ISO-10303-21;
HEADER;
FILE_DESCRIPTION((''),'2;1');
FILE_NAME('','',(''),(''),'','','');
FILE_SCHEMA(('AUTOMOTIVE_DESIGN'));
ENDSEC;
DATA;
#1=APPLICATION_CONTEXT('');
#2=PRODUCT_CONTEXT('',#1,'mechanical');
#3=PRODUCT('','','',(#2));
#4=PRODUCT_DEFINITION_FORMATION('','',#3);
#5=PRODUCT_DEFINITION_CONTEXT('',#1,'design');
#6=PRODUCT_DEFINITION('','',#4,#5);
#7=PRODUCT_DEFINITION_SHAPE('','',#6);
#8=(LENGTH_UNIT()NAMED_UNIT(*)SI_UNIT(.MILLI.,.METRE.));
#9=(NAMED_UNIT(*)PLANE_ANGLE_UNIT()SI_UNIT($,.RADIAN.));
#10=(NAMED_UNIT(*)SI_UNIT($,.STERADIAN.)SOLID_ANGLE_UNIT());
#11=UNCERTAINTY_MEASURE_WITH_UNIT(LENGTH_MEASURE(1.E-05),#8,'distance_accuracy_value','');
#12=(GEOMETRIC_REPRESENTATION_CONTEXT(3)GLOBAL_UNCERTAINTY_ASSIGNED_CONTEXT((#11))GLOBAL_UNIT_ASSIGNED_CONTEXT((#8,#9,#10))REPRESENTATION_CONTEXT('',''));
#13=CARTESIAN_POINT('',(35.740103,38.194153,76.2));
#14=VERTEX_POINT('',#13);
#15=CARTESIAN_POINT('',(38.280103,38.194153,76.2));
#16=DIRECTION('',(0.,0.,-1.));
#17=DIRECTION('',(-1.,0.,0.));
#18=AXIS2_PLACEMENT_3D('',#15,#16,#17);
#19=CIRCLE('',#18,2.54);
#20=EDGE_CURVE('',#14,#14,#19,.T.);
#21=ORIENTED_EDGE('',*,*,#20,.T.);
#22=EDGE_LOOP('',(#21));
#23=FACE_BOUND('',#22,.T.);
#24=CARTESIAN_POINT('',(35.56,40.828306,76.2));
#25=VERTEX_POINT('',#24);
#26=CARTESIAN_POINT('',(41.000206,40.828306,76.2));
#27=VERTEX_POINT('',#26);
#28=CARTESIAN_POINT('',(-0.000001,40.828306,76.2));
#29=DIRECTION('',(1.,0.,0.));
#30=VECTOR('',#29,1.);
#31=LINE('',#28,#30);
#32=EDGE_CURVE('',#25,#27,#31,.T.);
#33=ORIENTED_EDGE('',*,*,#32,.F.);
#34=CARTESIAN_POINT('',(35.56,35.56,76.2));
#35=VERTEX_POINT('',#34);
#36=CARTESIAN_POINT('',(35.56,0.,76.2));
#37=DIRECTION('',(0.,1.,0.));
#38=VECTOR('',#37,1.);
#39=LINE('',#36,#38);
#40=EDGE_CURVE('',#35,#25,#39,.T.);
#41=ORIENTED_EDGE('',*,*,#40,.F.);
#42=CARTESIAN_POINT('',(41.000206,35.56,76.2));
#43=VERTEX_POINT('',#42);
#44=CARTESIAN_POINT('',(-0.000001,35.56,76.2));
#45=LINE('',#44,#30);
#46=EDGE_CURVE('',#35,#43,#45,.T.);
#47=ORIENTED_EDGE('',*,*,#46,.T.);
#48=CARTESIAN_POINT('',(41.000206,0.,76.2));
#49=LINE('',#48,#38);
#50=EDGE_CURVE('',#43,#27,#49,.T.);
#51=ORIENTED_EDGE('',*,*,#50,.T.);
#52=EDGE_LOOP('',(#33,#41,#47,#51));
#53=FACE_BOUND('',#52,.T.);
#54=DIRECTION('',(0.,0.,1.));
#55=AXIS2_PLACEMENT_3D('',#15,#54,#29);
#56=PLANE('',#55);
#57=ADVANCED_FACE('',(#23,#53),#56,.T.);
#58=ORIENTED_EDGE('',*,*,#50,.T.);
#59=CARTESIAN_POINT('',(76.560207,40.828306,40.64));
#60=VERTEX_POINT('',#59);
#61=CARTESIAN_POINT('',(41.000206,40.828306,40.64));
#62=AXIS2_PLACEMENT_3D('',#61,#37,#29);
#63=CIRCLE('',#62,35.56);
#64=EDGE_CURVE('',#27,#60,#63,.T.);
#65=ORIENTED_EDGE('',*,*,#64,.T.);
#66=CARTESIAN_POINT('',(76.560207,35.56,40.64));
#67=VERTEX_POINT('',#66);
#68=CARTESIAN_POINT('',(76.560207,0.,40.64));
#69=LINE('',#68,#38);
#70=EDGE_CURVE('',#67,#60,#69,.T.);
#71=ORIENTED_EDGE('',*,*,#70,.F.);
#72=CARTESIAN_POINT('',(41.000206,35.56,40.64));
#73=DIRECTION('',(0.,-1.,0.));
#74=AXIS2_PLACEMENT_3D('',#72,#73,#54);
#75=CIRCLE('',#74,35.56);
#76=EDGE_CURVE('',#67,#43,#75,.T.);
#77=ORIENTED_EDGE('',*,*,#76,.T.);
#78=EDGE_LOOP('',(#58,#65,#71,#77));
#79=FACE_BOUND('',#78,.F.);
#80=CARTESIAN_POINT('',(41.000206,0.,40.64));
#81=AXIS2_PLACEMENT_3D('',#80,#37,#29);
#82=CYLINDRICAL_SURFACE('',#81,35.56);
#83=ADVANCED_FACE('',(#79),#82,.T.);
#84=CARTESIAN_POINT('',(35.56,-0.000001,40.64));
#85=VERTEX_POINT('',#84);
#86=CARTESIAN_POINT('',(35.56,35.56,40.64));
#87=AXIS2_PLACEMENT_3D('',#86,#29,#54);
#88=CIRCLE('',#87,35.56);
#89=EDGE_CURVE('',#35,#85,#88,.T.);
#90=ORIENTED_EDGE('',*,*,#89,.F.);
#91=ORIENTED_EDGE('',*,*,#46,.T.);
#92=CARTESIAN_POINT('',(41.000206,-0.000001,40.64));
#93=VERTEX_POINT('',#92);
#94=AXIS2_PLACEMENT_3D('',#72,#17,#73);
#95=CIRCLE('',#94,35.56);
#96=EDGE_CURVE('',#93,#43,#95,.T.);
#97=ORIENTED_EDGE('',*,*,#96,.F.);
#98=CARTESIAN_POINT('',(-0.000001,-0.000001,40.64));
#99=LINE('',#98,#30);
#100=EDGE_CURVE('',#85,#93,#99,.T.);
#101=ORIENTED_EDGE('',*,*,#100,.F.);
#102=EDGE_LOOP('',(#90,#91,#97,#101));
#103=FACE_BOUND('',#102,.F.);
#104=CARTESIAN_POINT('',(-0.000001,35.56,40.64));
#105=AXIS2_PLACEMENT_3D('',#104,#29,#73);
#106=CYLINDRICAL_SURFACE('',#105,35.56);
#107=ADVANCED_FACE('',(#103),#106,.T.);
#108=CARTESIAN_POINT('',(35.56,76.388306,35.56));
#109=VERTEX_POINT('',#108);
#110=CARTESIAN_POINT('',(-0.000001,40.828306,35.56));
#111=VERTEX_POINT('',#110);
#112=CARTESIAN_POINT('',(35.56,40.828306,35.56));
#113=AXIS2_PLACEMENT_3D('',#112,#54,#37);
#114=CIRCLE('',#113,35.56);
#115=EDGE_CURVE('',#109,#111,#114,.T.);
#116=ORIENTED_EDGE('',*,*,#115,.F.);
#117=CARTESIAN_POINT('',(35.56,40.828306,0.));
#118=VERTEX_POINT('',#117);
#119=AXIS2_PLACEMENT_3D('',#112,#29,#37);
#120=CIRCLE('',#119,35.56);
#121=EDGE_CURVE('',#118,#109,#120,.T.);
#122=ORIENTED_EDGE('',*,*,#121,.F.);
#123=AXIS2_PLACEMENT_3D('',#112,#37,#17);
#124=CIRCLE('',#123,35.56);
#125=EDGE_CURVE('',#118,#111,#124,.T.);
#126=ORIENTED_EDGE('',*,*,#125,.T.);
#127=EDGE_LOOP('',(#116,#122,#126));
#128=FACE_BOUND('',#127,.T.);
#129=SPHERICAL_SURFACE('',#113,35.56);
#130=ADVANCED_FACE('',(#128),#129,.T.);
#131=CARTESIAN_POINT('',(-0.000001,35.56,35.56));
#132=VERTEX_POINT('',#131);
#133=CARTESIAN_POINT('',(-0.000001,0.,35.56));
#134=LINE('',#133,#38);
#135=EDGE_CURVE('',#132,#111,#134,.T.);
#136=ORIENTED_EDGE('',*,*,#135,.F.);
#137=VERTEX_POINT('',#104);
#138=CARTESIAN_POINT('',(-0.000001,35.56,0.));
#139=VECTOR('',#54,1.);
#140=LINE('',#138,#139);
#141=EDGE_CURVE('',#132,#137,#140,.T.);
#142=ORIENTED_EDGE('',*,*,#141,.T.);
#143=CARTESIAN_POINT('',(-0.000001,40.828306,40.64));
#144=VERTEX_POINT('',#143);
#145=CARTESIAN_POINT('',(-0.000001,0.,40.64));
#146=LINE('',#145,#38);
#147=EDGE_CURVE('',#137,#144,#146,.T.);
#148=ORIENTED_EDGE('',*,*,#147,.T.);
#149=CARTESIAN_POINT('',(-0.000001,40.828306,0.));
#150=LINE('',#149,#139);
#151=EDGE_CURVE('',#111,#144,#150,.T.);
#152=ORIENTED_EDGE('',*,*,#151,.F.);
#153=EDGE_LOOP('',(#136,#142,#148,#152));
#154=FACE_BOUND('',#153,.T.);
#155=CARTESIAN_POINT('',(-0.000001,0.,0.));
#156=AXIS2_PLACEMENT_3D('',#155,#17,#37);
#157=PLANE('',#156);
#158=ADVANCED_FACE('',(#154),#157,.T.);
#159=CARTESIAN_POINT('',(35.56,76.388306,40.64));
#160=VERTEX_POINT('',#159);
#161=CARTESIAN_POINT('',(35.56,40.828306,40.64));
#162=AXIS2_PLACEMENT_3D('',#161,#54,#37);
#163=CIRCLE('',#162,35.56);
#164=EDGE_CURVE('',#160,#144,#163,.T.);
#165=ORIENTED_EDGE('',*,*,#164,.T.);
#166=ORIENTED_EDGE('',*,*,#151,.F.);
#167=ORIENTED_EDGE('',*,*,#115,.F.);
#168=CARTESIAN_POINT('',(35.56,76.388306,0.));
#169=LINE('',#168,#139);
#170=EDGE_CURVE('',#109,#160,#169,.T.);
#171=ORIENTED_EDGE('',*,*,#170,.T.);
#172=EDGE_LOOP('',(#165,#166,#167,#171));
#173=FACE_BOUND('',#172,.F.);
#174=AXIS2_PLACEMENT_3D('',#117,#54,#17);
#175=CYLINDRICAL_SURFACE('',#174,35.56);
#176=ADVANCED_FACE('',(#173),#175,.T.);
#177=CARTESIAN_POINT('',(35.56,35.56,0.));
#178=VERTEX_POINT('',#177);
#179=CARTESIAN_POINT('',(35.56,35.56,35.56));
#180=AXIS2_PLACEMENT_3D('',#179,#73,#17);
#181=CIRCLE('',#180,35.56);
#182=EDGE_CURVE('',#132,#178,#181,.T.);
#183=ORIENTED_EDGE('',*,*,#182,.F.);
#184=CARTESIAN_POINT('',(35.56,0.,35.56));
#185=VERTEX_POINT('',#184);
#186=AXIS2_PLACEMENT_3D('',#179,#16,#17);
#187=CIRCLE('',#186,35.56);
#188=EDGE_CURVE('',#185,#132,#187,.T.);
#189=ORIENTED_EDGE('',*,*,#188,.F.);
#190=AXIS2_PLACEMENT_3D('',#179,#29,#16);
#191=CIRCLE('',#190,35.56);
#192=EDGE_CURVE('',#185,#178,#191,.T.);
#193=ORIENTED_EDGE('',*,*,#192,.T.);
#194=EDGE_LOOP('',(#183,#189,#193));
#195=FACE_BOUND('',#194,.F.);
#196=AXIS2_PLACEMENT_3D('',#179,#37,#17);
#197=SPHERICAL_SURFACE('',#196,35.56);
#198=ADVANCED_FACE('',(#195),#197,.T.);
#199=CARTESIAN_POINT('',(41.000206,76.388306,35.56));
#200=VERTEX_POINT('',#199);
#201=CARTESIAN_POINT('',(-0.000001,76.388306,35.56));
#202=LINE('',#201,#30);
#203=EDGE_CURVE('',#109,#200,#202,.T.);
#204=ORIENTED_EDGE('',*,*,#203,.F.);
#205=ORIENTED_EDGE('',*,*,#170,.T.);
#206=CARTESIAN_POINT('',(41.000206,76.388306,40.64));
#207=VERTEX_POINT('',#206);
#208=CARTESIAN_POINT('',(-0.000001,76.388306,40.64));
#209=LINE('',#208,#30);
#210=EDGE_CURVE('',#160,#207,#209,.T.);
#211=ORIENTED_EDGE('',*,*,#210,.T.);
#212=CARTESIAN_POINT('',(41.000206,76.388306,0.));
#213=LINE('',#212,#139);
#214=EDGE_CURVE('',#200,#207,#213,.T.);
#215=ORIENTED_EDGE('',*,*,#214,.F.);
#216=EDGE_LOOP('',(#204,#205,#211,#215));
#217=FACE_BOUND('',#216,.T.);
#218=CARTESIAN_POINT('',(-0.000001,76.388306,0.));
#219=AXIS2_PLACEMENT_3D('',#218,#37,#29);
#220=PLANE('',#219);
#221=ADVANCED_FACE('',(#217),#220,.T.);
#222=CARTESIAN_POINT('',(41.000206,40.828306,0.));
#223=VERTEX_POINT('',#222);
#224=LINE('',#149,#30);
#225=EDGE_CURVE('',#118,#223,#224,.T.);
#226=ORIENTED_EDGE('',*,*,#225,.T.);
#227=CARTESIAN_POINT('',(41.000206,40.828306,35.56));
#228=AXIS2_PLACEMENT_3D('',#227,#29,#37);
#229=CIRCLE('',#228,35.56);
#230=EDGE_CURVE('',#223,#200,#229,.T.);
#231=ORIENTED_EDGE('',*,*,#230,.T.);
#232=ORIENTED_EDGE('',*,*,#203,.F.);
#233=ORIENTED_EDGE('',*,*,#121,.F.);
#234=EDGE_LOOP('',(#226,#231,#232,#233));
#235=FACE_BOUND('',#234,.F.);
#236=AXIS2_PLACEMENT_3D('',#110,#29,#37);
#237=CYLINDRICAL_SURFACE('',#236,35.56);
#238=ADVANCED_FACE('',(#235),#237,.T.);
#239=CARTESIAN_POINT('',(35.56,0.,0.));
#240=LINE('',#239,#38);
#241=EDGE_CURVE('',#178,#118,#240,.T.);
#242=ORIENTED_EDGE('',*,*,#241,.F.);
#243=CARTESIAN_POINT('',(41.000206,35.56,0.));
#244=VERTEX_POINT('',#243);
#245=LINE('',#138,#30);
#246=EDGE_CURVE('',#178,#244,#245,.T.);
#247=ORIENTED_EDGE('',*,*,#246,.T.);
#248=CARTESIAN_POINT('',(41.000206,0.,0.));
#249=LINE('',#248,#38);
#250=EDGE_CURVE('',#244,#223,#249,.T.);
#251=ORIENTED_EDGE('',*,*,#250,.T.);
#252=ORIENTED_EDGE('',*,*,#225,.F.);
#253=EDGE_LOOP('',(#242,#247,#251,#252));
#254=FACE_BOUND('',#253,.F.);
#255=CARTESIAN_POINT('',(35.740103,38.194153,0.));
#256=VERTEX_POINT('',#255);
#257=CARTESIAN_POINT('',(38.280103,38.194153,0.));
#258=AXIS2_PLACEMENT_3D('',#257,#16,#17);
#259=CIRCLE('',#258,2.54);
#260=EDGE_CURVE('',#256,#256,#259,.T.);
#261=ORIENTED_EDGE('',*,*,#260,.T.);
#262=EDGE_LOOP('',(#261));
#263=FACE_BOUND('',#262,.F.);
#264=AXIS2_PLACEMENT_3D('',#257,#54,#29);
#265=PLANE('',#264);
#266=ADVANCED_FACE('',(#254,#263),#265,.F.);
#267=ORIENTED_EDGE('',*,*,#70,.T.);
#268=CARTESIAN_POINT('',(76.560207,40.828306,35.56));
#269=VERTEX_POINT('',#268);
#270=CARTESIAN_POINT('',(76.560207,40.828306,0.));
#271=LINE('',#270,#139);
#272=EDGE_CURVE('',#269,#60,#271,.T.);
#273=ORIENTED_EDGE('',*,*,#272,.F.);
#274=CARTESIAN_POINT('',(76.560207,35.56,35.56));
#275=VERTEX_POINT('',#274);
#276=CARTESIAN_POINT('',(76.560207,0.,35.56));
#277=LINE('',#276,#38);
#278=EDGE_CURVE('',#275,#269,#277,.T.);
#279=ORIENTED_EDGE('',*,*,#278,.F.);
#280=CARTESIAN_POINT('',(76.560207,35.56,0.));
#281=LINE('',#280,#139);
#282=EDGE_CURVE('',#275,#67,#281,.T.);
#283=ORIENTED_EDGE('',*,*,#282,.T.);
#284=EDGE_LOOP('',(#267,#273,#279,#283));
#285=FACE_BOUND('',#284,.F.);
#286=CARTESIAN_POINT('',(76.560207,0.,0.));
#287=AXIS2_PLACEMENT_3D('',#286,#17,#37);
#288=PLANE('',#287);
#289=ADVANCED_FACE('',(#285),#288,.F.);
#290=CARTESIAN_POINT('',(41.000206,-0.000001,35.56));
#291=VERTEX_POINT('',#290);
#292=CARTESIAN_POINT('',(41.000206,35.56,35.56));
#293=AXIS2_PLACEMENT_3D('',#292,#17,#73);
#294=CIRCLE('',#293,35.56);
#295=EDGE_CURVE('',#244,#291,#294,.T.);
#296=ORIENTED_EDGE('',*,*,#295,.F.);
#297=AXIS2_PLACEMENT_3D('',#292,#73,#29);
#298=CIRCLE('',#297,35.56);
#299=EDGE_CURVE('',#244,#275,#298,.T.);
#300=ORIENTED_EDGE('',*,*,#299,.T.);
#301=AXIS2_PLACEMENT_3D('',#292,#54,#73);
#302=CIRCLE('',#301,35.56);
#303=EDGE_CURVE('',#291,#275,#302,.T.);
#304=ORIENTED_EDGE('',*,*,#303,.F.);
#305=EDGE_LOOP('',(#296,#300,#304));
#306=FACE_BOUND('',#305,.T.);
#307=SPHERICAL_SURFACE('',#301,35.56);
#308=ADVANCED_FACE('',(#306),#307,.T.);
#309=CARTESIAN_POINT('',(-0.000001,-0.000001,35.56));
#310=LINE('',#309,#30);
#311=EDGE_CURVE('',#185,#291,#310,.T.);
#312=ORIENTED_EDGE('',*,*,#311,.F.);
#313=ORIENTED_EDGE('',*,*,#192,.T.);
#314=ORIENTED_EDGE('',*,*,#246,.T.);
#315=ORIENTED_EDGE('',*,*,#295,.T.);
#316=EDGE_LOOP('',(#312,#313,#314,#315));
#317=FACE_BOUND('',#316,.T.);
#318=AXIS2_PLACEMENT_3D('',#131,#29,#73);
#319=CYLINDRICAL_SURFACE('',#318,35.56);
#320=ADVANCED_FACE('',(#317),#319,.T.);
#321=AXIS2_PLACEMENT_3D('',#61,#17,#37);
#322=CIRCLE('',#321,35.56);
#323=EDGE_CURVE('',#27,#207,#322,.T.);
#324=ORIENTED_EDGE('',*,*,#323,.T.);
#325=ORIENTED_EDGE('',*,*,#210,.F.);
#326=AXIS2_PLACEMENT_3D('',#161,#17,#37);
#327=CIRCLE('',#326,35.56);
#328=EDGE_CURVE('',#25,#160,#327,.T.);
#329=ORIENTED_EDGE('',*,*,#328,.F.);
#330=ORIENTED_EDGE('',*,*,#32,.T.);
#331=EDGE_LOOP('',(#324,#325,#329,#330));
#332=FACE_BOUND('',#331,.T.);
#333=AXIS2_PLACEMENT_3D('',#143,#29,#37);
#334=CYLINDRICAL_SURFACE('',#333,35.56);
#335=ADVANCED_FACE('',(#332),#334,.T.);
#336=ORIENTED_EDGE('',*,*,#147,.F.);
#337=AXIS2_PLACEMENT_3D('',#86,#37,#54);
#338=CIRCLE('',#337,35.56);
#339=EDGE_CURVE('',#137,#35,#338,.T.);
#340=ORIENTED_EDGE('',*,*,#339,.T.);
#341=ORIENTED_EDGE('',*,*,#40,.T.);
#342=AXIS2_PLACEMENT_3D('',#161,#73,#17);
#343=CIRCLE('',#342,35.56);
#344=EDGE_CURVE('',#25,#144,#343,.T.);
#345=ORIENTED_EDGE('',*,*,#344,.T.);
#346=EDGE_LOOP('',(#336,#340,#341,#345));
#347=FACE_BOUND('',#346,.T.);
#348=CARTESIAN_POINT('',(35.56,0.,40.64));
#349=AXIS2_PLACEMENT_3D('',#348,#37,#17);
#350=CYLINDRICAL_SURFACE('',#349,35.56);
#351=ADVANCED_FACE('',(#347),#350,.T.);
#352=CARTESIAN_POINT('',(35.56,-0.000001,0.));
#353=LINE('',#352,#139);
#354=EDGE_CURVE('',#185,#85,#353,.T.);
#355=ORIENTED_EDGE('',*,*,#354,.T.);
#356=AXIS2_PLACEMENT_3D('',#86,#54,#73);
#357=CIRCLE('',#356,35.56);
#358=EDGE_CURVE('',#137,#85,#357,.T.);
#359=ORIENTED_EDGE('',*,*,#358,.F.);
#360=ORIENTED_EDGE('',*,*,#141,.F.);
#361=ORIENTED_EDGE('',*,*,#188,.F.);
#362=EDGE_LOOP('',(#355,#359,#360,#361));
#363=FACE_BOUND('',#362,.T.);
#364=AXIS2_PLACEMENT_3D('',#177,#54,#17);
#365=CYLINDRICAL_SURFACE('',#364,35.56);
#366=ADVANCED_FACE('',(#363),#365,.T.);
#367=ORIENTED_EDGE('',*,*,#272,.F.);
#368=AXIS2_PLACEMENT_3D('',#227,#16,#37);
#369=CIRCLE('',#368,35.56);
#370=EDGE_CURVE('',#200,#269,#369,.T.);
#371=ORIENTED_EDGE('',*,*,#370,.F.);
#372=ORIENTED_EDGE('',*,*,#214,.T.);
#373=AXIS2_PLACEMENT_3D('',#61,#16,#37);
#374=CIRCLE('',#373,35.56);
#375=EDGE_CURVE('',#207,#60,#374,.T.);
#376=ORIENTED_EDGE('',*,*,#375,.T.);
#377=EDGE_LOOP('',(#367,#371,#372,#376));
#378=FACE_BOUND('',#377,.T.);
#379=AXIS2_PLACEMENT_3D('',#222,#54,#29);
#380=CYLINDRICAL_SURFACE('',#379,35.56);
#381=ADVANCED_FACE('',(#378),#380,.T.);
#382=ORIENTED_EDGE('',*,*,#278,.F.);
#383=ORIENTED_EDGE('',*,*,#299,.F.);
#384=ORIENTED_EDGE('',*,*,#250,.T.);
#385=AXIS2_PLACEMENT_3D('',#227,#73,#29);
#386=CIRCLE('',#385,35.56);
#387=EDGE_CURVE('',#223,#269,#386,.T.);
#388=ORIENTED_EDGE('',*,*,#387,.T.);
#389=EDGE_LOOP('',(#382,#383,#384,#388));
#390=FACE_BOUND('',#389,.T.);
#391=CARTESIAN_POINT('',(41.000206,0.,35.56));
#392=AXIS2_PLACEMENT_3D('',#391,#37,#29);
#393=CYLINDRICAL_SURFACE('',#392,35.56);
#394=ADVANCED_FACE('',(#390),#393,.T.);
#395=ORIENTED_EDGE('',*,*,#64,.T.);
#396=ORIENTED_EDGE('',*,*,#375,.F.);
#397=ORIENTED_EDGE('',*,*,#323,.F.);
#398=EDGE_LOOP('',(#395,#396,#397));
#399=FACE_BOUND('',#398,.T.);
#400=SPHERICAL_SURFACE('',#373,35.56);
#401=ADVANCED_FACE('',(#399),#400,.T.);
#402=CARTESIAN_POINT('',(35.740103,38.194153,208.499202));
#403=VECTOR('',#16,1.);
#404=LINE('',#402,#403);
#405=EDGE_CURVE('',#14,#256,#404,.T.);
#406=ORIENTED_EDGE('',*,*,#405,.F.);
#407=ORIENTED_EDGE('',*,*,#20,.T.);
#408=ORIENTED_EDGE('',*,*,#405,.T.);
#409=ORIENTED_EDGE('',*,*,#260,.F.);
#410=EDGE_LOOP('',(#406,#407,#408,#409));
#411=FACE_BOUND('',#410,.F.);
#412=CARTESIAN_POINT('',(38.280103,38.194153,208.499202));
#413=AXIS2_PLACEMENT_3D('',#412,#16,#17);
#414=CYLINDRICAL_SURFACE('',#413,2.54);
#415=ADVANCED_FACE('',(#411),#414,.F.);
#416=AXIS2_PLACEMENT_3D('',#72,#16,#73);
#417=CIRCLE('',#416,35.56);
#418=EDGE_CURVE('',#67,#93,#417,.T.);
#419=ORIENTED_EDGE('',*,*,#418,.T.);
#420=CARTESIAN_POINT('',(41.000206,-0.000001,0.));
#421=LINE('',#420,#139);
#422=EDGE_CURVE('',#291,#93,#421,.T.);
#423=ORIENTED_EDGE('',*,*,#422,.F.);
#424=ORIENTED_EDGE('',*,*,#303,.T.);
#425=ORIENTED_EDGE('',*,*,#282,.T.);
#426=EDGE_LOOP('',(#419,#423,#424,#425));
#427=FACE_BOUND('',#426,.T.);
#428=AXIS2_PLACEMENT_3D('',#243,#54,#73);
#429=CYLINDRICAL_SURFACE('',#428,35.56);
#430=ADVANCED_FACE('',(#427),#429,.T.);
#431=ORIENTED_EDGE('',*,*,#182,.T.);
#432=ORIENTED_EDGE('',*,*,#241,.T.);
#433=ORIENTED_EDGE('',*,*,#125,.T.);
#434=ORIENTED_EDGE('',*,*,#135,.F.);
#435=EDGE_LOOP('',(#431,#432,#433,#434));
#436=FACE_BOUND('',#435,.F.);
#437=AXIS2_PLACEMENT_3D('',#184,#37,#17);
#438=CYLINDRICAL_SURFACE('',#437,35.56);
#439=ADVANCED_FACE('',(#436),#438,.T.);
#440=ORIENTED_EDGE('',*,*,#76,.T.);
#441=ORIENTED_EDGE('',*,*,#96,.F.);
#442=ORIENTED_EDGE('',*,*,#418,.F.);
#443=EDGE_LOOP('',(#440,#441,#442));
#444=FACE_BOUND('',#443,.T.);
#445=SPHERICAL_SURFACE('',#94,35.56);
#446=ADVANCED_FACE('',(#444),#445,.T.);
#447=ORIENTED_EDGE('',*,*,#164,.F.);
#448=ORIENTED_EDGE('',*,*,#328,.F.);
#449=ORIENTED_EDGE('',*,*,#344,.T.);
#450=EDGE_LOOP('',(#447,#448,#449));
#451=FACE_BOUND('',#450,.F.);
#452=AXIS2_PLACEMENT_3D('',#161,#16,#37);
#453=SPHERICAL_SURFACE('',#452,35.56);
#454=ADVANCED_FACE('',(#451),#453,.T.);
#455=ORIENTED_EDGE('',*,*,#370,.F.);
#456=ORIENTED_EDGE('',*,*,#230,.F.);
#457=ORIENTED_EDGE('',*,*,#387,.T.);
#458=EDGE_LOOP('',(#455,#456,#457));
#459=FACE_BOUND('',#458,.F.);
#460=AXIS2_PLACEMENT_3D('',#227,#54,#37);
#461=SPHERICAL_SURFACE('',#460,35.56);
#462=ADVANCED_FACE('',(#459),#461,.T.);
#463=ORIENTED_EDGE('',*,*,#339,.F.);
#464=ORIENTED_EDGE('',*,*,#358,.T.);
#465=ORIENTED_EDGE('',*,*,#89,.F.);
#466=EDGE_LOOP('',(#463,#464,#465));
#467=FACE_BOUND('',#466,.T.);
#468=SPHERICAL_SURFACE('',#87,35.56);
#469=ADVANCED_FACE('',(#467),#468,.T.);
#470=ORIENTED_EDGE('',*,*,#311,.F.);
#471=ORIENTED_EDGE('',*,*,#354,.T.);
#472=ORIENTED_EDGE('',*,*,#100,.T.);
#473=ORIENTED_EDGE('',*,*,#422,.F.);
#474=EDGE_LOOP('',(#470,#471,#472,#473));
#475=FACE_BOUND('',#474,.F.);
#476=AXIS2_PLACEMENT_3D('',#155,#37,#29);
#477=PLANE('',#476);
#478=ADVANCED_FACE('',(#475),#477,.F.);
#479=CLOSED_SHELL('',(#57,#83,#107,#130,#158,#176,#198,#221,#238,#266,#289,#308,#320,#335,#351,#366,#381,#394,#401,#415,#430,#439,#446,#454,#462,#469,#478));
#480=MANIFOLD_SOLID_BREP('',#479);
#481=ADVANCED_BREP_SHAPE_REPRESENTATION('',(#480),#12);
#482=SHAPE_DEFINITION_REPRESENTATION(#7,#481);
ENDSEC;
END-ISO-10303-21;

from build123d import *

# Parameters (mm, degrees)
F1_W     = 76.560207
F1_H     = 76.388307
F2_DEPTH = 76.2
F3_R     = 35.56
F0_D     = 5.08


with BuildPart() as f2:
    # F1 (on Top) → F2 (new body)
    with BuildSketch(Plane.XY):
        with Locations((38.280103, 38.194153)):
            Rectangle(F1_W, F1_H)
    extrude(amount=F2_DEPTH)

    # F3
    f3_edges = [f2.edges().sort_by_distance(p)[0] for p in [
        (76.560207, 76.388307, 38.1),
        (0, 76.388307, 38.1),
        (38.280103, 76.388307, 0),
        (38.280103, 76.388307, 76.2),
        (38.280103, 0, 76.2),
        (0, 38.194153, 76.2),
        (76.560207, 0, 38.1),
        (0, 38.194153, 0),
        (0, 0, 38.1),
        (38.280103, 0, 0),
        (76.560207, 38.194153, 0),
        (76.560207, 38.194153, 76.2),
    ]]
    fillet(f3_edges, radius=F3_R)

    # F0 (through all)
    with Locations(Plane.XY.offset(76.2)):
        with Locations((38.280103, 38.194153)):
            Hole(F0_D / 2)


solid = f2.part
